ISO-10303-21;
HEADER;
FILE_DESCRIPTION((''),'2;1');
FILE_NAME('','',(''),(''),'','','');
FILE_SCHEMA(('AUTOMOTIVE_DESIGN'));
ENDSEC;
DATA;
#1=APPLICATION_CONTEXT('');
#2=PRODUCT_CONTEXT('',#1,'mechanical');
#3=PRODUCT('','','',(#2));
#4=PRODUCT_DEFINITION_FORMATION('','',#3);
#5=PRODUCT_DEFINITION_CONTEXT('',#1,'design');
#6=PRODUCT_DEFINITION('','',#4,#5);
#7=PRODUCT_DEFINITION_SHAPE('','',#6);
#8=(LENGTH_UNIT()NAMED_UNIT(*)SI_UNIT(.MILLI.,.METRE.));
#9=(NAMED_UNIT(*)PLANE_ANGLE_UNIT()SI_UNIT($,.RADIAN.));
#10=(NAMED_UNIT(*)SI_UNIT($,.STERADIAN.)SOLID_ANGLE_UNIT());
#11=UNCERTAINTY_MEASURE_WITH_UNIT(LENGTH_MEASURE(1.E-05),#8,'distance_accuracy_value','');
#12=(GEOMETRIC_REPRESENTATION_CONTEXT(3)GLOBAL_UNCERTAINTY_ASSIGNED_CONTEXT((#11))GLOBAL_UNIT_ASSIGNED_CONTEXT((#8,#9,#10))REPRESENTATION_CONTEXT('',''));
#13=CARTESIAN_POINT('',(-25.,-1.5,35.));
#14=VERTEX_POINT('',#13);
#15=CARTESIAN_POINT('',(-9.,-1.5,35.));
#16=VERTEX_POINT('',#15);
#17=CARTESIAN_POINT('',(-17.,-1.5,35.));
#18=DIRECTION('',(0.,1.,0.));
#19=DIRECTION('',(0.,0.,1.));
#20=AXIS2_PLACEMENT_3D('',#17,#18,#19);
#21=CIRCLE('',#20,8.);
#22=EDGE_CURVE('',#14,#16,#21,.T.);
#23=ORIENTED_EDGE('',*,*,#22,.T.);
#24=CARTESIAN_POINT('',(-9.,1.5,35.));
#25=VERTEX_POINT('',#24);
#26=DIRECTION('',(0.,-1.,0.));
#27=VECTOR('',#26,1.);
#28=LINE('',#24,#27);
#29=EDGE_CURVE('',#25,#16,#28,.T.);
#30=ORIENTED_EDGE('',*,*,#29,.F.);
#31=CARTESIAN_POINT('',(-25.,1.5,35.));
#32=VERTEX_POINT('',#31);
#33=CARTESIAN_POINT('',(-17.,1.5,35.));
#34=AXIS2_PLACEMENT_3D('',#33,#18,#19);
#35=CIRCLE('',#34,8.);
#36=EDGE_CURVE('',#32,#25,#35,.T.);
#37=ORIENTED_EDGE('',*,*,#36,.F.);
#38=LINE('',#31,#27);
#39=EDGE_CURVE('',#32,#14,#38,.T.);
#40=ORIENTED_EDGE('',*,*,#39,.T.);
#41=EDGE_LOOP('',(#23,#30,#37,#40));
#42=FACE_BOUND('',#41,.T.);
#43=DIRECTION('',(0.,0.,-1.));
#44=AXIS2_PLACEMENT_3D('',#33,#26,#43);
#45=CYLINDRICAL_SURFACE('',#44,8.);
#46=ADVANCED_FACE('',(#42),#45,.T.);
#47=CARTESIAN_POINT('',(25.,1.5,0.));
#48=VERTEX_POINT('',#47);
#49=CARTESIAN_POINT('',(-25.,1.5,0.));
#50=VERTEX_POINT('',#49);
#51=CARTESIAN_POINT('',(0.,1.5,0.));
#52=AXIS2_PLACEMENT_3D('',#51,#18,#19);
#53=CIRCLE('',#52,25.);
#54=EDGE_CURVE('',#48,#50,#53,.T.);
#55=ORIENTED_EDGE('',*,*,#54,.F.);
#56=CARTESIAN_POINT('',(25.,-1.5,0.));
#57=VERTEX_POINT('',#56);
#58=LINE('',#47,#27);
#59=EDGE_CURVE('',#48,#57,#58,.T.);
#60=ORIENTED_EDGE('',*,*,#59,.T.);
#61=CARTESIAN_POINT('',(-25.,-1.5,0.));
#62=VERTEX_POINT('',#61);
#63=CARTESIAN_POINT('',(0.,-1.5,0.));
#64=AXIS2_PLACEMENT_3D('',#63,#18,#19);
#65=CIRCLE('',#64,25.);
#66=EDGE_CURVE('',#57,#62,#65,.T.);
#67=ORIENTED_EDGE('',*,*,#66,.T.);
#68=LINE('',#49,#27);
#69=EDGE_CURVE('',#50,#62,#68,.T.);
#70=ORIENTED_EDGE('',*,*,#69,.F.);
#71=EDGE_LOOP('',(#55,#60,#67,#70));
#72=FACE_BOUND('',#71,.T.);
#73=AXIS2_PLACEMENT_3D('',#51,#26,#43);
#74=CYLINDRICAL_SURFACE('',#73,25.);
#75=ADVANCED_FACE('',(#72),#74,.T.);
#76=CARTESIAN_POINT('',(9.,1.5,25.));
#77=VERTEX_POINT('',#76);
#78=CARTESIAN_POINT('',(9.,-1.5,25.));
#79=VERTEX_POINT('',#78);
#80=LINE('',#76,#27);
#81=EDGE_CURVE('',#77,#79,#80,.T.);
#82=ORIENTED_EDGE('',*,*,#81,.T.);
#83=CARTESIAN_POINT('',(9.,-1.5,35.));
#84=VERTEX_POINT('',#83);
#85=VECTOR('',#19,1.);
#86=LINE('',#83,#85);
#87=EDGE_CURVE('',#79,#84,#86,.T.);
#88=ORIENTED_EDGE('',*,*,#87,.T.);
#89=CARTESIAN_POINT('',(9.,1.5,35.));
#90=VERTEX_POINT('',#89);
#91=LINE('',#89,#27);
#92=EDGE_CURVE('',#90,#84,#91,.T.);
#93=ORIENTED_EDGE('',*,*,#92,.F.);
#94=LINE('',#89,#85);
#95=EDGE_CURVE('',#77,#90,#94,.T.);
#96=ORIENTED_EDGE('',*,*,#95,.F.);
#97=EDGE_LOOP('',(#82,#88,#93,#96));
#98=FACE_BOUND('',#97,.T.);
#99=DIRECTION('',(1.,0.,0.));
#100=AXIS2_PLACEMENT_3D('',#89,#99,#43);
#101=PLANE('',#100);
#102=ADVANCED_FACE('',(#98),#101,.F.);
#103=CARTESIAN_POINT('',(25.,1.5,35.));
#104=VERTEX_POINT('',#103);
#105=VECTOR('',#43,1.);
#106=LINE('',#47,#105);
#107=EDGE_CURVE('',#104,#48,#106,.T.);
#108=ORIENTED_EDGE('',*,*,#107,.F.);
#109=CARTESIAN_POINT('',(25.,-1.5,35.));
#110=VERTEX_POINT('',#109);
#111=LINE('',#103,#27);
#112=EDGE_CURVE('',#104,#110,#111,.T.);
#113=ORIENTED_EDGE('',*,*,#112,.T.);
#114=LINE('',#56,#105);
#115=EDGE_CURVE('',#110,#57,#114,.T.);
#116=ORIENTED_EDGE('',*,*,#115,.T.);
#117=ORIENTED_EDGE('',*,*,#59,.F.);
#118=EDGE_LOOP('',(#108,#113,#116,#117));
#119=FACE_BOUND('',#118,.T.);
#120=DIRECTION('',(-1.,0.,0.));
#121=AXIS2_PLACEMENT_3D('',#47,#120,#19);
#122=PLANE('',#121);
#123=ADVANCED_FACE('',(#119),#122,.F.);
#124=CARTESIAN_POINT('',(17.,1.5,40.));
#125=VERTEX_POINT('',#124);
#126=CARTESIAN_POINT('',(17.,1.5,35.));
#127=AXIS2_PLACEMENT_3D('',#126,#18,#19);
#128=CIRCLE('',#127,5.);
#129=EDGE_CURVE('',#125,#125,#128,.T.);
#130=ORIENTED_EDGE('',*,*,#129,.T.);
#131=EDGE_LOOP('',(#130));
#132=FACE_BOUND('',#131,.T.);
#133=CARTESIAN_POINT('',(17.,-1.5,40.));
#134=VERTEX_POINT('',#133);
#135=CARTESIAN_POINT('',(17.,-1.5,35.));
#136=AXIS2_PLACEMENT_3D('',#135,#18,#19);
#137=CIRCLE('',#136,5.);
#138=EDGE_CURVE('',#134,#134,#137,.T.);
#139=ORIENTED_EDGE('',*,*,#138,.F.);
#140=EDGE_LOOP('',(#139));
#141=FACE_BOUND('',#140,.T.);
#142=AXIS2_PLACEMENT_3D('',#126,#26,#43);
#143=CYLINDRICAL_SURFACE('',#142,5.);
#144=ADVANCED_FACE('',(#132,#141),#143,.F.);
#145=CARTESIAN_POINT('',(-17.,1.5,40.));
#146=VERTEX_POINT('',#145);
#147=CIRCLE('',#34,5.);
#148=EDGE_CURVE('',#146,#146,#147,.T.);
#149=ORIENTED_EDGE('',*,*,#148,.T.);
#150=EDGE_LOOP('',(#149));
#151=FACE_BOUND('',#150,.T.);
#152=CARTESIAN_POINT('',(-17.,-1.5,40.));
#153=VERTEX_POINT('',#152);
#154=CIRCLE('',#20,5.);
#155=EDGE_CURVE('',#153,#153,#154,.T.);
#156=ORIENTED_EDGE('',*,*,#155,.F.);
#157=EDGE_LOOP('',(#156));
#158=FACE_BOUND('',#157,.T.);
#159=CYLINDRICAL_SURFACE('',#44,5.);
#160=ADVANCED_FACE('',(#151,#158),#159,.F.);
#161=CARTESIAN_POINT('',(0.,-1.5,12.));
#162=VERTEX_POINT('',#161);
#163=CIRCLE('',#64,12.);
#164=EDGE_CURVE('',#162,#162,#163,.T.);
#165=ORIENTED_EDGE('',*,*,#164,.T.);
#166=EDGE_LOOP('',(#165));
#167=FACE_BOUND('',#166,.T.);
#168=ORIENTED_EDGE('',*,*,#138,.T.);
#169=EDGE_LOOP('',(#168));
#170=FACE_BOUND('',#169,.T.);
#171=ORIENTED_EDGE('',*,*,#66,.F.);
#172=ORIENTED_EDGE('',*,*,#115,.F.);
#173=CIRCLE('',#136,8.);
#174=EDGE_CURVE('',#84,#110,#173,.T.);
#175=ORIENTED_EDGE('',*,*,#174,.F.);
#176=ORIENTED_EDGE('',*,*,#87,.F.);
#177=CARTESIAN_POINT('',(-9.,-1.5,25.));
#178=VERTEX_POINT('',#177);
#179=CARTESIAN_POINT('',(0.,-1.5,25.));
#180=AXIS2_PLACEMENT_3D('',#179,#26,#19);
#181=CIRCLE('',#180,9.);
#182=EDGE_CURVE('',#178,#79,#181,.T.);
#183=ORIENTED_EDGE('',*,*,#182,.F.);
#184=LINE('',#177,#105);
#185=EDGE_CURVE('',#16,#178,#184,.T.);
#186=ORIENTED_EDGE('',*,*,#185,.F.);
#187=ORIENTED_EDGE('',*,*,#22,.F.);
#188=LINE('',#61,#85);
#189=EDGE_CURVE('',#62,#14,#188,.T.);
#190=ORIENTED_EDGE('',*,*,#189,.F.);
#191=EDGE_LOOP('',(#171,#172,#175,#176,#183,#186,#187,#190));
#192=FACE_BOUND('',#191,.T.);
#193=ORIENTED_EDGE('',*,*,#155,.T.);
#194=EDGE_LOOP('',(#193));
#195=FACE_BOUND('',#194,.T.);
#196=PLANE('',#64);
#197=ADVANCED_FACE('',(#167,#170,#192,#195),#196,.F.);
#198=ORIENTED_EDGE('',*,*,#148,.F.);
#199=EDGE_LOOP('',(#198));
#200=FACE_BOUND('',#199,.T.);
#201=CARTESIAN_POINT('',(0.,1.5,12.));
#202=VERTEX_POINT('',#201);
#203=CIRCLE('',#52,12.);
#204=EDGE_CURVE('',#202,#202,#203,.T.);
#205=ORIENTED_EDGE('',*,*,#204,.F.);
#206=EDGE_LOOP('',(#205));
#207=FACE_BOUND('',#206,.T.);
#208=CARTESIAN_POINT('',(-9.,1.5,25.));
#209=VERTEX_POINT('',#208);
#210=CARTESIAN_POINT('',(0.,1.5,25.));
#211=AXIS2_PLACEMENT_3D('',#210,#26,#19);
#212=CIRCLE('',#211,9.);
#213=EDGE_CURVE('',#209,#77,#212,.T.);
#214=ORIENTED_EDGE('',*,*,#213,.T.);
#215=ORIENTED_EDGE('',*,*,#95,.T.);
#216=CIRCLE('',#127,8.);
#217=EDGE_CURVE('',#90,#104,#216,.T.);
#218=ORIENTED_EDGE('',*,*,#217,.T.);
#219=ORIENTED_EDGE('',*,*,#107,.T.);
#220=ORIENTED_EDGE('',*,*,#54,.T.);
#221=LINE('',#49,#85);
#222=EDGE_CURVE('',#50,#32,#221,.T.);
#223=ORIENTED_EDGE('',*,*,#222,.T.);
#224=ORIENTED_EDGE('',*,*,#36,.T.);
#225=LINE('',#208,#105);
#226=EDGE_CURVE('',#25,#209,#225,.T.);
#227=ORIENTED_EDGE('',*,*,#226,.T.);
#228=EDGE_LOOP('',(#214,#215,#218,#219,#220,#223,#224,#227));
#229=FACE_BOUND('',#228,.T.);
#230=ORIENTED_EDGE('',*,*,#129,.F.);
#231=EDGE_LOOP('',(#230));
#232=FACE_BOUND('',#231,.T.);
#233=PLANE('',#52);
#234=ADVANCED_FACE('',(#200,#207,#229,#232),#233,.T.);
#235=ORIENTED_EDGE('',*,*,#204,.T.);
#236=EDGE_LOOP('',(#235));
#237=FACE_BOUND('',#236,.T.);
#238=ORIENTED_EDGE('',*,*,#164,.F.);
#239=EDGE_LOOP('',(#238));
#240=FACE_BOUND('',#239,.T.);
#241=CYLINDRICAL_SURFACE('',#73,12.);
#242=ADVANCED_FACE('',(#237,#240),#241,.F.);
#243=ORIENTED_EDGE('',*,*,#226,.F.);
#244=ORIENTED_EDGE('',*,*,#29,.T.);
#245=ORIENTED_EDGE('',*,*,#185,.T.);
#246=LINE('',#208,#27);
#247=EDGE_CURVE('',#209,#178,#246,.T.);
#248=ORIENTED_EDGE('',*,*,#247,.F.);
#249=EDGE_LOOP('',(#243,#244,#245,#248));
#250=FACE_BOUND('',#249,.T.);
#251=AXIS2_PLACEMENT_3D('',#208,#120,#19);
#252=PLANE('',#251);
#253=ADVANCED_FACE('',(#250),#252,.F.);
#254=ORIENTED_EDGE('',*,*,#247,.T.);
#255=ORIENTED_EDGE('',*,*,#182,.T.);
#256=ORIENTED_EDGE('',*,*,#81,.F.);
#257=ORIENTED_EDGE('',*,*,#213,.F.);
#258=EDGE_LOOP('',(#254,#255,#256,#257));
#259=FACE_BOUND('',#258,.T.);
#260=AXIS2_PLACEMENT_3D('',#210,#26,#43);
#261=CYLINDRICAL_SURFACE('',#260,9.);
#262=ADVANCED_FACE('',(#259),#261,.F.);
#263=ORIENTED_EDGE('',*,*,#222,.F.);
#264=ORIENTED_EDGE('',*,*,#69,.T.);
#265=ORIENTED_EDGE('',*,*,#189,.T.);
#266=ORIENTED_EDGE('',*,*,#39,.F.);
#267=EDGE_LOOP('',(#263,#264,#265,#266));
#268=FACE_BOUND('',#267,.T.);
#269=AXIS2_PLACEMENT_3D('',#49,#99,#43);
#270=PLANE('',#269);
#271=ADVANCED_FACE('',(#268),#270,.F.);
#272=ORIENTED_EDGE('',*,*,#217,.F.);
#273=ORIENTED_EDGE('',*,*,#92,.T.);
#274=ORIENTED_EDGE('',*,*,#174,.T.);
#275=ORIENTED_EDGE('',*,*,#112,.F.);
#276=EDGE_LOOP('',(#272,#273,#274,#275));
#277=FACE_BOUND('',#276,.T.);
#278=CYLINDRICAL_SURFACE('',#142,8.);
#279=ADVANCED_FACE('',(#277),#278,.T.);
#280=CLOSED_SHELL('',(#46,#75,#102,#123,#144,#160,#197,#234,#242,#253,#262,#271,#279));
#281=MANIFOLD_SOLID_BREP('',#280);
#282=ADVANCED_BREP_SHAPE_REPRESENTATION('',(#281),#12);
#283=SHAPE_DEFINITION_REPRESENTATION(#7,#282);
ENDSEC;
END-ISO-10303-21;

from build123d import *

# Parameters (mm, degrees)
SKETCH1_R           = 12
SKETCH1_R_2         = 5
BOSS_EXTRUDE2_DEPTH = 1.5


with BuildPart() as part:
    # Sketch1 → Boss-Extrude2 (new body, symmetric)
    with BuildSketch(Plane(origin=(0, 0, 0), x_dir=(1, 0, 0), z_dir=(0, 1, 0))):
        with BuildLine():
            Line((-25, 0), (-25, -35))
            ThreePointArc((-25, -35), (-17, -43), (-9, -35))
            Line((-9, -35), (-9, -25))
            ThreePointArc((-9, -25), (0, -16), (9, -25))
            Line((9, -25), (9, -35))
            ThreePointArc((9, -35), (17, -43), (25, -35))
            Line((25, -35), (25, 0))
            ThreePointArc((25, 0), (0, 25), (-25, 0))
        make_face()
        Circle(SKETCH1_R, mode=Mode.SUBTRACT)
        with Locations((17, -35)):
            Circle(SKETCH1_R_2, mode=Mode.SUBTRACT)
        with Locations((-17, -35)):
            Circle(SKETCH1_R_2, mode=Mode.SUBTRACT)
    extrude(amount=BOSS_EXTRUDE2_DEPTH, both=True)


solid = part.part
